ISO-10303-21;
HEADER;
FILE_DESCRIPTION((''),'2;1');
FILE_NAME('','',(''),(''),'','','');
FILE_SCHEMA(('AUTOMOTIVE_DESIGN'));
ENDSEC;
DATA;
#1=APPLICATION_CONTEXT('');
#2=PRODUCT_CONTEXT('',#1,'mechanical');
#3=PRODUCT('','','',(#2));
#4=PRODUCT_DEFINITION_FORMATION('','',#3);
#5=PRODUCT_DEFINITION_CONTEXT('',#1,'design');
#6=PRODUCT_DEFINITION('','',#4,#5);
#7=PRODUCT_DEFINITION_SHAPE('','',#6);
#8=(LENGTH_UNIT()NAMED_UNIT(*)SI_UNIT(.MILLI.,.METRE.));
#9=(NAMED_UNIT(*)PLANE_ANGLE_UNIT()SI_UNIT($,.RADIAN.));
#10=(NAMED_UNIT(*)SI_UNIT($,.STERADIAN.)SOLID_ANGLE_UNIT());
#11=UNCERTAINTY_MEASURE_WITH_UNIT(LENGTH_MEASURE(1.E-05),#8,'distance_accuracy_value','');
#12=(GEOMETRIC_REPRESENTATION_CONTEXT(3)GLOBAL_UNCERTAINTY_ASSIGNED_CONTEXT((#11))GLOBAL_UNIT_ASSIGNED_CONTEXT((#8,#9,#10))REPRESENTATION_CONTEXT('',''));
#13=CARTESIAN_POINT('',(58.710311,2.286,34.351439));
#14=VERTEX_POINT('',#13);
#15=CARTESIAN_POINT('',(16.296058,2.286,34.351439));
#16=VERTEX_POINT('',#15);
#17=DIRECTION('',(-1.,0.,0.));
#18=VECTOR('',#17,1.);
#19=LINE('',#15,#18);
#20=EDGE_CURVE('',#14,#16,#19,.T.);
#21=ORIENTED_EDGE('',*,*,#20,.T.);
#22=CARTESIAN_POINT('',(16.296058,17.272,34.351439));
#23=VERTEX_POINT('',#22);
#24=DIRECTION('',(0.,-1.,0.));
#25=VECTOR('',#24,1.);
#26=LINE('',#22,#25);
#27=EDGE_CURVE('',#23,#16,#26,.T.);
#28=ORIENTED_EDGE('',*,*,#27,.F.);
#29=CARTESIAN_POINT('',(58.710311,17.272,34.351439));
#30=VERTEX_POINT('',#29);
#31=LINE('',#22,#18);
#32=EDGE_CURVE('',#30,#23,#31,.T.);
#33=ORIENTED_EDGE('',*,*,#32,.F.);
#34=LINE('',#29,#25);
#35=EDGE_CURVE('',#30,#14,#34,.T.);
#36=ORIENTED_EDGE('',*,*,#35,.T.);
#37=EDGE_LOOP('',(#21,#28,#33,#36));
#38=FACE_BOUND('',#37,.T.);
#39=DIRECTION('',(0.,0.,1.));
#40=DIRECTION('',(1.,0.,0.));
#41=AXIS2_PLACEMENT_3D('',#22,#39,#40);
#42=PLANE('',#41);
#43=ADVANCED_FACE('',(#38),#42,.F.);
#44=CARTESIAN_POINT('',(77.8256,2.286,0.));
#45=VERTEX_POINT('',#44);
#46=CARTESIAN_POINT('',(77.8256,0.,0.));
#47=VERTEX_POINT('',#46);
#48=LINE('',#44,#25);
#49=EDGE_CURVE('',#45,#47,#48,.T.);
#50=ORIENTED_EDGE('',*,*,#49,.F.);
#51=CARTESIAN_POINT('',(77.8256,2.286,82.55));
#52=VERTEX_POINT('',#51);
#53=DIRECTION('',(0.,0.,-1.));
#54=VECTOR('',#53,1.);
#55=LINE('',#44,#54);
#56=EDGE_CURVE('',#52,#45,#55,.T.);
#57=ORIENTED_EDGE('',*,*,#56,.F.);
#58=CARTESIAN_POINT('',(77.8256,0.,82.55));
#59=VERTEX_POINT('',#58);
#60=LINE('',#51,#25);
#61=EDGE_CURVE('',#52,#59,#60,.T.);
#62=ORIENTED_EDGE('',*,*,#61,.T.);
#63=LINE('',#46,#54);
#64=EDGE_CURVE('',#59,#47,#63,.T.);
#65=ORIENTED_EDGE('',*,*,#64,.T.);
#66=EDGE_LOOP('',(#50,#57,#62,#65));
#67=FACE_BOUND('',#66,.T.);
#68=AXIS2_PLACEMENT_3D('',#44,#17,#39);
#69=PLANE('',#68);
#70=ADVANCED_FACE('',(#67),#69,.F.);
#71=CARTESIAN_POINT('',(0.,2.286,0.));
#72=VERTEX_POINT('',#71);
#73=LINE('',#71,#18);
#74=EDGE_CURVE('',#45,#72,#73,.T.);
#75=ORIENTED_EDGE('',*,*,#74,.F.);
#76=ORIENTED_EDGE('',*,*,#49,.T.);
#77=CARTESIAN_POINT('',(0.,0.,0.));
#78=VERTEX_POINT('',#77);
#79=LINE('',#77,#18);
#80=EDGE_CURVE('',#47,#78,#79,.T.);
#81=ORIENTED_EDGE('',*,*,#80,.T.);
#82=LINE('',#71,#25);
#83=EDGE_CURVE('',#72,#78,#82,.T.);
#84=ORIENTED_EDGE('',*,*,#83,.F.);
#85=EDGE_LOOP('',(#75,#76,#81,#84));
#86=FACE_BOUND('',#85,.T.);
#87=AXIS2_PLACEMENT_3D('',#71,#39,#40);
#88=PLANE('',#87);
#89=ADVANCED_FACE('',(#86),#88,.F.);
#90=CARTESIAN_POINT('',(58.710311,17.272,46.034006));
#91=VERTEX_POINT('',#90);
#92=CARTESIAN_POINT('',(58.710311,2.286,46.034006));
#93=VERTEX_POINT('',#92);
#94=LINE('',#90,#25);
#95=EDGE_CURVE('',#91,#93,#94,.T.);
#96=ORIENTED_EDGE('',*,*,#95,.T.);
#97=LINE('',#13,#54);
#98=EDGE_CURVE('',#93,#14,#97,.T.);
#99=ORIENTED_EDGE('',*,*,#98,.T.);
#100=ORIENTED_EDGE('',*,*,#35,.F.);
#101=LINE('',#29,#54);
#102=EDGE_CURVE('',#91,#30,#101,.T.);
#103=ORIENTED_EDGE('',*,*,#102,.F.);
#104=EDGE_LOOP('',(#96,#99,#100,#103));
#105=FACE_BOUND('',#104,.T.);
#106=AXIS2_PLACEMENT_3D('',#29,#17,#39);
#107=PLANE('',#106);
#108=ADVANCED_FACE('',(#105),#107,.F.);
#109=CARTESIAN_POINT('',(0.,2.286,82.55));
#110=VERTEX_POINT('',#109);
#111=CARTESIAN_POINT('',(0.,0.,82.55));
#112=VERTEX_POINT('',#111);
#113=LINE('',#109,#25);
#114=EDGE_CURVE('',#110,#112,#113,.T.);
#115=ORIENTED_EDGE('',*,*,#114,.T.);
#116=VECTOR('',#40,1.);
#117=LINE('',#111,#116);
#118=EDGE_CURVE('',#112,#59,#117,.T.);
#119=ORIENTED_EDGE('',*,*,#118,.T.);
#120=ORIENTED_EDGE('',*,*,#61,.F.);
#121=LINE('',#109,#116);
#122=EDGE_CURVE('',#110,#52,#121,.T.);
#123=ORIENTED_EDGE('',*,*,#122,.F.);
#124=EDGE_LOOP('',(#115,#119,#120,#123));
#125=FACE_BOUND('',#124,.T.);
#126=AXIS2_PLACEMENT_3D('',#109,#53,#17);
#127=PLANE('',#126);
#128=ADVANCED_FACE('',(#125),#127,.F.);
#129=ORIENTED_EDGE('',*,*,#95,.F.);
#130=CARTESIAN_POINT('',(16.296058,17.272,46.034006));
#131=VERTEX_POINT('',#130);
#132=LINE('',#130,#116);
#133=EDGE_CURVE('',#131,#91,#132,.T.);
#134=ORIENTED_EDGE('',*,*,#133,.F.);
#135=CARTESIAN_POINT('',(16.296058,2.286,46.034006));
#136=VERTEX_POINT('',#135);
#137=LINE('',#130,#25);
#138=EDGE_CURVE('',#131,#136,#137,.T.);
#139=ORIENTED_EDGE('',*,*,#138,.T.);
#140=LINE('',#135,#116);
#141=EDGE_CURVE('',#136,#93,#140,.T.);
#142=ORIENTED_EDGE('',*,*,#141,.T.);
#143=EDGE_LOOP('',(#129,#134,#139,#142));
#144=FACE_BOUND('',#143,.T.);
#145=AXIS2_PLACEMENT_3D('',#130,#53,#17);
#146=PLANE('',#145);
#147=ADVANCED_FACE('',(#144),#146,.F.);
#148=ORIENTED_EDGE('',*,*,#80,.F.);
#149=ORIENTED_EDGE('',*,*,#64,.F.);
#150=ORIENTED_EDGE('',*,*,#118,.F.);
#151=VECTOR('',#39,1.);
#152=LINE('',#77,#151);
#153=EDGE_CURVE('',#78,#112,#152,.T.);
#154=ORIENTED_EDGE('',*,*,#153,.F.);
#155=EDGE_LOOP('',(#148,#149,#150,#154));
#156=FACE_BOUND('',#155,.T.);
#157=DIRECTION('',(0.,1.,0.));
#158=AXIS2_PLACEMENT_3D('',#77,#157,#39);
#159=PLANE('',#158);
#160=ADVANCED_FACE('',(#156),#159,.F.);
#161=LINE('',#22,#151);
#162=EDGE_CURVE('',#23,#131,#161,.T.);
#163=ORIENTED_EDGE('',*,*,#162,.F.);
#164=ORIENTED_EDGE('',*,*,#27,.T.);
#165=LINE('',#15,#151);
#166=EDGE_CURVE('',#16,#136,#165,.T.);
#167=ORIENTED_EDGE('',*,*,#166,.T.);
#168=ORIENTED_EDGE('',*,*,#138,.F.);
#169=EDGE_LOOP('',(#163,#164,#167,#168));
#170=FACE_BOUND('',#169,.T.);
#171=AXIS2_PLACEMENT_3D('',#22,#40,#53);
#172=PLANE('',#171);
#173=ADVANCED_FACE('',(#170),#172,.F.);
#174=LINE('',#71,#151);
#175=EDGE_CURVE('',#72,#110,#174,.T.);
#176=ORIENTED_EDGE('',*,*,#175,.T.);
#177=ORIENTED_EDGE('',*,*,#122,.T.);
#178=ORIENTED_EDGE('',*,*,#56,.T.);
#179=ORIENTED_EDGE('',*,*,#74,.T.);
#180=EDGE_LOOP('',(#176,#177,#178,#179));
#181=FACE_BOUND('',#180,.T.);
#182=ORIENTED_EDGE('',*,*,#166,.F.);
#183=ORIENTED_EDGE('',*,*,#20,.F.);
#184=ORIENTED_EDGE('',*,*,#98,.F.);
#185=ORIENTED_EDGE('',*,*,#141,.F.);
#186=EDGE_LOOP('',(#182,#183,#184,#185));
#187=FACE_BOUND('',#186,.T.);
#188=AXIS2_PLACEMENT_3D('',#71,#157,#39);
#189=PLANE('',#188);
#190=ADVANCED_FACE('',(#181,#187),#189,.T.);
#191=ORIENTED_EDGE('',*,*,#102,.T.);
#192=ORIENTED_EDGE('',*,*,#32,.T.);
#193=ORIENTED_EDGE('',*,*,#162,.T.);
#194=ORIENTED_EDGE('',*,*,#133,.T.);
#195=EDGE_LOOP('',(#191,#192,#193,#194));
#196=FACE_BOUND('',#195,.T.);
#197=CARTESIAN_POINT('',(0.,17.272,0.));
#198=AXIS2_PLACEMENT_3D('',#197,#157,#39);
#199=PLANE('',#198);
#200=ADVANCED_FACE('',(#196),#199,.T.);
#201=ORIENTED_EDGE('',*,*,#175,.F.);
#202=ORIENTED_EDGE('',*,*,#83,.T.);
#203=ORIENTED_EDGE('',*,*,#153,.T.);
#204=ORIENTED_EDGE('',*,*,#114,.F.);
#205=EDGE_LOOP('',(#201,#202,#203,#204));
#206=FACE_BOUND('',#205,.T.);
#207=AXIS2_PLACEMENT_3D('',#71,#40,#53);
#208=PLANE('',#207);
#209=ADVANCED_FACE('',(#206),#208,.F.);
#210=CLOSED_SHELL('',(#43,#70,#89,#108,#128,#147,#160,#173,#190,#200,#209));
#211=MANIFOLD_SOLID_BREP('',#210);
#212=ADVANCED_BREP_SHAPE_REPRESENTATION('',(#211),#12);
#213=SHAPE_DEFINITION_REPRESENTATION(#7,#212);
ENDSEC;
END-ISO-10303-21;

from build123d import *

# Parameters (mm, degrees)
SKETCH1_W           = 77.8256
SKETCH1_H           = 82.55
BOSS_EXTRUDE2_DEPTH = 2.286
SKETCH2_W           = 42.414253103
SKETCH2_H           = 11.682567677
BOSS_EXTRUDE3_DEPTH = 14.986


with BuildPart() as part:
    # Sketch1 → Boss-Extrude2 (new body)
    with BuildSketch(Plane(origin=(0, 0, 0), x_dir=(1, 0, 0), z_dir=(0, 1, 0))):
        with Locations((38.9128, -41.275)):
            Rectangle(SKETCH1_W, SKETCH1_H)
    extrude(amount=BOSS_EXTRUDE2_DEPTH)

    # Sketch2 → Boss-Extrude3 (add)
    with BuildSketch(Plane(origin=(0, 2.286, 0), x_dir=(1, 0, 0), z_dir=(0, 1, 0))):
        with Locations((37.503184862, -40.192722516)):
            Rectangle(SKETCH2_W, SKETCH2_H)
    extrude(amount=BOSS_EXTRUDE3_DEPTH)


solid = part.part
